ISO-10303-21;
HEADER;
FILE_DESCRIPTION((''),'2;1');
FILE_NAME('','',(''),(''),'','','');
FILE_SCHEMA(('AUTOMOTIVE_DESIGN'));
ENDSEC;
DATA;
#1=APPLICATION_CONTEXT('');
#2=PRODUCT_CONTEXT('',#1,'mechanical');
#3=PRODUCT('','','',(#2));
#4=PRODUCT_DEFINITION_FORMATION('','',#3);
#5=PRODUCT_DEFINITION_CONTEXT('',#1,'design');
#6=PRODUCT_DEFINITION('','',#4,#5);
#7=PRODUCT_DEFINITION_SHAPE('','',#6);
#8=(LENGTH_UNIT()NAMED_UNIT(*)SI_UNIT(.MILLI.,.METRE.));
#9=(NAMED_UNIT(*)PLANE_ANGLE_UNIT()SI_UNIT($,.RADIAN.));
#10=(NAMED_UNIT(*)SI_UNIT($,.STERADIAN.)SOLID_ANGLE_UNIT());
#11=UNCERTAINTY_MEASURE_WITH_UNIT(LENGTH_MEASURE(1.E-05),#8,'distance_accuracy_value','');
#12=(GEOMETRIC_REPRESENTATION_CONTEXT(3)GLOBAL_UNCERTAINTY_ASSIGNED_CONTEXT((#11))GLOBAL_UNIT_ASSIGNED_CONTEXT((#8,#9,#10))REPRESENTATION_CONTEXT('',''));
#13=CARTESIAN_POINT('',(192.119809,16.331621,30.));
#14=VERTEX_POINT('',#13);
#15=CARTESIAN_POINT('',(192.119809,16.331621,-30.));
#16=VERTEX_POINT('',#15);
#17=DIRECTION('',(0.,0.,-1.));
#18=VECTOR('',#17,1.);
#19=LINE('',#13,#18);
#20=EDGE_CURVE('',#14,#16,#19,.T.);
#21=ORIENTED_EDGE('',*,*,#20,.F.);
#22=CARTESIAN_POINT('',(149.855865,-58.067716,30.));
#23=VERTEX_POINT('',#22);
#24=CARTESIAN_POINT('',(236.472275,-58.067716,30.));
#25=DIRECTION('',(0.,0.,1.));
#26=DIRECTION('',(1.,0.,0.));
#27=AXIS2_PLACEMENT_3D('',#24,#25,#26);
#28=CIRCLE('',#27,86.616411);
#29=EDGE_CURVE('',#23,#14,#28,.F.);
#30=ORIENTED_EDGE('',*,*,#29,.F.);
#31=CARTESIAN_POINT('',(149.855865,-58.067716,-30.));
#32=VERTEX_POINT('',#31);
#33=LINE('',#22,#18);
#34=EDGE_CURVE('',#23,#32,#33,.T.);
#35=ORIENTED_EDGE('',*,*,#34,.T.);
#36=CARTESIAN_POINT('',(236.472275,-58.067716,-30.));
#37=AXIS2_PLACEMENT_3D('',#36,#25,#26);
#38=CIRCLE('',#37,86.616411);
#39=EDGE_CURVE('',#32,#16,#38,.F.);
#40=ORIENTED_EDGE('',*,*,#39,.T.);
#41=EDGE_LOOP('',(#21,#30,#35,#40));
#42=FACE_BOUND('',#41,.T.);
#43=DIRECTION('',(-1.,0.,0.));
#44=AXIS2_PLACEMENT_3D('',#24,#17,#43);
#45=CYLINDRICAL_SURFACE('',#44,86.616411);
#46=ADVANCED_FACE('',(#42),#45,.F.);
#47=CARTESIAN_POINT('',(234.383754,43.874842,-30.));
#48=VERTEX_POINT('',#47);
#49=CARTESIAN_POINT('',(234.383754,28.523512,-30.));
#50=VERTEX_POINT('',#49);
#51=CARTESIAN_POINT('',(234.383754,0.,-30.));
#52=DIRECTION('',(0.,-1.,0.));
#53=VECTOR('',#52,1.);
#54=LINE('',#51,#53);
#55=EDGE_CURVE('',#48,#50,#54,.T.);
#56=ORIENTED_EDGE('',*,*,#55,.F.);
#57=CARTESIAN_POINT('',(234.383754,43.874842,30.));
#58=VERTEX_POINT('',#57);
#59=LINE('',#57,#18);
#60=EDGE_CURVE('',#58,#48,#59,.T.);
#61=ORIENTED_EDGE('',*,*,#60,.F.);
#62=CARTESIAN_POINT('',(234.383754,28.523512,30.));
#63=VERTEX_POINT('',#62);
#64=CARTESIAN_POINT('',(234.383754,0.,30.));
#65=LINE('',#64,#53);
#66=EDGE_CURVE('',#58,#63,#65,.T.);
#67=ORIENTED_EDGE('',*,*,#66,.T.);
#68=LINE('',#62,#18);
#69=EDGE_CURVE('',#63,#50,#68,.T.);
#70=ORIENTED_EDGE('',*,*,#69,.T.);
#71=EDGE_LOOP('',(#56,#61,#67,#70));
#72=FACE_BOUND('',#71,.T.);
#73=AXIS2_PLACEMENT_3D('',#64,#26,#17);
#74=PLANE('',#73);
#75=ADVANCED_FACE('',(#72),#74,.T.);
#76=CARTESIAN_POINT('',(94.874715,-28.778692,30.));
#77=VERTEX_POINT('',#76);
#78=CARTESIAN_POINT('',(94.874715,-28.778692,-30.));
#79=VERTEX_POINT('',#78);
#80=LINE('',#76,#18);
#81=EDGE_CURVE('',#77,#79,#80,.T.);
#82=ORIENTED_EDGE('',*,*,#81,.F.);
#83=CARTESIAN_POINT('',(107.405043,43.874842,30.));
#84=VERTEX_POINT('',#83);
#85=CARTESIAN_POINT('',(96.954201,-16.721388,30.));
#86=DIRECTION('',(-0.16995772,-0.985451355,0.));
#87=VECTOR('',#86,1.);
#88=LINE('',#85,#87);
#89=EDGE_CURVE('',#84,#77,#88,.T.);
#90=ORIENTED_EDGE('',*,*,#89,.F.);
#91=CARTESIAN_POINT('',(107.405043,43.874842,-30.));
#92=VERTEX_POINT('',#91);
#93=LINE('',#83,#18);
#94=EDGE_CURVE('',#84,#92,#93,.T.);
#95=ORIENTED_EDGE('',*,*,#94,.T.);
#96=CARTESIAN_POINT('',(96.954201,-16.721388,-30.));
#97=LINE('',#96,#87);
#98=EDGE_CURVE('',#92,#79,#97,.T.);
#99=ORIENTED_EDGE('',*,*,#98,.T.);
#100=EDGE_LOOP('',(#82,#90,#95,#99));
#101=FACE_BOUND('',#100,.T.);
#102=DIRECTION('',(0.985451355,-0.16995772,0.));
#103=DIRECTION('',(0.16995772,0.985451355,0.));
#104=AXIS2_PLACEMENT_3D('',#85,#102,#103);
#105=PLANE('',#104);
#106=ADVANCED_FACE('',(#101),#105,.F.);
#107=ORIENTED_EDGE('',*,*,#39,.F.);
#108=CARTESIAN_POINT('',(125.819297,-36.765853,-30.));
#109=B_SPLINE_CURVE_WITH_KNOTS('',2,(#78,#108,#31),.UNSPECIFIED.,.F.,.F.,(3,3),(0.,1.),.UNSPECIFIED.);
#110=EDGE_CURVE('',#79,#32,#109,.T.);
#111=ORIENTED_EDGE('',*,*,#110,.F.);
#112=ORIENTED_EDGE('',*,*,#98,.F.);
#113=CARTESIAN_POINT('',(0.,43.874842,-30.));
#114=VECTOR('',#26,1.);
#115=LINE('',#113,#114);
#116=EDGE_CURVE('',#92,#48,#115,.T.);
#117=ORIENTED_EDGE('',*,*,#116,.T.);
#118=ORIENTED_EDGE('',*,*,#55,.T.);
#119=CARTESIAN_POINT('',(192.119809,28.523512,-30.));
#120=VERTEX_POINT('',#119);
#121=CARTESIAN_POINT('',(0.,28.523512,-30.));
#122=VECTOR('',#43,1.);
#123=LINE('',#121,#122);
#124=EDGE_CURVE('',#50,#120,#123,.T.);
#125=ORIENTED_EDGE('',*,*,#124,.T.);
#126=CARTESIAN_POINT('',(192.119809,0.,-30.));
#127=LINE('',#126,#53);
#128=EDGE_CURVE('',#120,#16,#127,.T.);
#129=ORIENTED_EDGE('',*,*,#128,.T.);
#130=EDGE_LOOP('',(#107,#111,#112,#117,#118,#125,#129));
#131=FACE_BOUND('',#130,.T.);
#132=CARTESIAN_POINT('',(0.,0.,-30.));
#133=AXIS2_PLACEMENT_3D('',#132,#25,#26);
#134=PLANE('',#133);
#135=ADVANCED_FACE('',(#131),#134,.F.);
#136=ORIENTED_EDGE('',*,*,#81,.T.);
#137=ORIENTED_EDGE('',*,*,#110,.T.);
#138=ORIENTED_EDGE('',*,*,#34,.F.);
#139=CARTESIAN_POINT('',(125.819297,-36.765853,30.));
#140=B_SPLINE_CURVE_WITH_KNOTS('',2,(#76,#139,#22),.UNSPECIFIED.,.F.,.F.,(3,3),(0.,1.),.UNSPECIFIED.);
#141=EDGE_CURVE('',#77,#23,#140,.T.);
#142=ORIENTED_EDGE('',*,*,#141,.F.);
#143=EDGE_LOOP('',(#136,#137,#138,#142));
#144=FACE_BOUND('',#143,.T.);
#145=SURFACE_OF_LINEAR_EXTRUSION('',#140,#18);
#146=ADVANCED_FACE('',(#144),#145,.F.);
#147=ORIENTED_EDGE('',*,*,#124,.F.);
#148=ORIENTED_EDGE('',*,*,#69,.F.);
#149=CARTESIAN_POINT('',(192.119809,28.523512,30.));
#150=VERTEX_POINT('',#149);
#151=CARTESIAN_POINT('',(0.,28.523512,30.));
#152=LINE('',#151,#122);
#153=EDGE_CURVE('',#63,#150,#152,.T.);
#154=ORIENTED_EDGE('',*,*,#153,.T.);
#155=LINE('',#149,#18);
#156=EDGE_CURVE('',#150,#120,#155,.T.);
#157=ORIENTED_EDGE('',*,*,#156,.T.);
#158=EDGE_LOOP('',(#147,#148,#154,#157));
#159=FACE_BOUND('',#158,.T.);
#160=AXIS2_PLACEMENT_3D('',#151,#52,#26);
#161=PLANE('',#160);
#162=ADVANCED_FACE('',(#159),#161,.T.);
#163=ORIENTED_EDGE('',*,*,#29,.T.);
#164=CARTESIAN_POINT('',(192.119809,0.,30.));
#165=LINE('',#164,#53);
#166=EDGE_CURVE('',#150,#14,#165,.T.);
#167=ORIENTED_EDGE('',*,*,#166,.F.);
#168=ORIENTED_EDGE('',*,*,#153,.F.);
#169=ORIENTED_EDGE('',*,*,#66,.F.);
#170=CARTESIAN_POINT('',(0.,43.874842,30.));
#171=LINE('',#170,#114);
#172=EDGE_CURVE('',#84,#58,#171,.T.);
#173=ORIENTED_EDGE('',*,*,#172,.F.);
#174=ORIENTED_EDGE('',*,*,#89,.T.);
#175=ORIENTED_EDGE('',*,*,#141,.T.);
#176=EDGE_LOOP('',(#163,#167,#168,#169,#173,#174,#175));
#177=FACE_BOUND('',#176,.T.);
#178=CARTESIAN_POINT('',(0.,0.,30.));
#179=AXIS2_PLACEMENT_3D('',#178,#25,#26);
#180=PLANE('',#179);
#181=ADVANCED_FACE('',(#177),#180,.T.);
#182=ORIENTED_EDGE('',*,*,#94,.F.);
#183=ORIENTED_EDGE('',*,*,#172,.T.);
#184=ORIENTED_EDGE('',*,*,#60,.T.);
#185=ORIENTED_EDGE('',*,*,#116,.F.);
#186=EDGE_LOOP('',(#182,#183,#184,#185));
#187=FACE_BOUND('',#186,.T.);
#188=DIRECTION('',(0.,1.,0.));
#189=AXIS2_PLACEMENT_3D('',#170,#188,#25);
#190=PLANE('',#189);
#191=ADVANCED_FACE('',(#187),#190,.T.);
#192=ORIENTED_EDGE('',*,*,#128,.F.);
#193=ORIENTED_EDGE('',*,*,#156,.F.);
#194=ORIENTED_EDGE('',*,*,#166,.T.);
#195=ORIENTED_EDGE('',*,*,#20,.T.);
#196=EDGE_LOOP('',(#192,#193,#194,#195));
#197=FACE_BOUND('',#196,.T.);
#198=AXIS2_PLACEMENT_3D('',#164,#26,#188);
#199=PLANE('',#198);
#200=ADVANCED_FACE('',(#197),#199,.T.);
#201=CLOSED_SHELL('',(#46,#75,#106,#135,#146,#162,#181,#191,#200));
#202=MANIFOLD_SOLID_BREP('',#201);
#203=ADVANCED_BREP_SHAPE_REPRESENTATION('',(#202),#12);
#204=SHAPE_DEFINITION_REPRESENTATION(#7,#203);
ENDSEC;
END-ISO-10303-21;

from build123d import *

# Parameters (mm, degrees)
RIGHTM_DEPTH = 30
LEFTM_START  = -30
LEFTM_DEPTH  = 30


with BuildPart() as part:
    # Sketch1 → rightM (new body)
    with BuildSketch(Plane.XY):
        Polygon((149.855864514, 43.874842), (149.855864514, 28.52351163), (192.119809278, 28.52351163), (234.383754043, 28.52351163), (234.383754043, 43.874842), (192.853964769, 43.874842), align=None)
        with BuildLine():
            Line((149.855864514, 28.52351163), (149.855864514, -58.067716007))
            ThreePointArc((149.855864514, -58.067716007), (156.250771623, -25.404082318), (174.491218383, 2.436426025))
            ThreePointArc((174.491218383, 2.436426025), (182.853494659, 9.95749243), (192.119809278, 16.331621214))
            Line((192.119809278, 16.331621214), (192.119809278, 28.52351163))
            Line((192.119809278, 28.52351163), (149.855864514, 28.52351163))
        make_face()
        with BuildLine():
            Line((107.405043491, 43.874842), (94.874715104, -28.778692489))
            add(Edge.make_bspline(
                [(94.874715104, -28.778692489), (125.81929731, -36.765852729), (149.855864514, -58.067716007)],
                knots=[0, 0, 0, 1, 1, 1], degree=2))
            Line((149.855864514, -58.067716007), (149.855864514, 43.874842))
            Line((149.855864514, 43.874842), (107.405043491, 43.874842))
        make_face()
    extrude(amount=RIGHTM_DEPTH)

    # Sketch2 → leftM (add)
    with BuildSketch(Plane.XY.offset(LEFTM_START)):
        Polygon((149.855864514, 43.874842), (149.855864514, 28.52351163), (192.119809278, 28.52351163), (234.383754043, 28.52351163), (234.383754043, 43.874842), (192.853964769, 43.874842), align=None)
        with BuildLine():
            Line((107.405043491, 43.874842), (94.874715104, -28.778692489))
            add(Edge.make_bspline(
                [(94.874715104, -28.778692489), (125.81929731, -36.765852729), (149.855864514, -58.067716007)],
                knots=[0, 0, 0, 1, 1, 1], degree=2))
            Line((149.855864514, -58.067716007), (149.855864514, 43.874842))
            Line((149.855864514, 43.874842), (107.405043491, 43.874842))
        make_face()
        with BuildLine():
            Line((149.855864514, 28.52351163), (149.855864514, -58.067716007))
            ThreePointArc((149.855864514, -58.067716007), (156.250771623, -25.404082318), (174.491218383, 2.436426025))
            ThreePointArc((174.491218383, 2.436426025), (182.853494659, 9.95749243), (192.119809278, 16.331621214))
            Line((192.119809278, 16.331621214), (192.119809278, 28.52351163))
            Line((192.119809278, 28.52351163), (149.855864514, 28.52351163))
        make_face()
    extrude(amount=LEFTM_DEPTH)


solid = part.part
